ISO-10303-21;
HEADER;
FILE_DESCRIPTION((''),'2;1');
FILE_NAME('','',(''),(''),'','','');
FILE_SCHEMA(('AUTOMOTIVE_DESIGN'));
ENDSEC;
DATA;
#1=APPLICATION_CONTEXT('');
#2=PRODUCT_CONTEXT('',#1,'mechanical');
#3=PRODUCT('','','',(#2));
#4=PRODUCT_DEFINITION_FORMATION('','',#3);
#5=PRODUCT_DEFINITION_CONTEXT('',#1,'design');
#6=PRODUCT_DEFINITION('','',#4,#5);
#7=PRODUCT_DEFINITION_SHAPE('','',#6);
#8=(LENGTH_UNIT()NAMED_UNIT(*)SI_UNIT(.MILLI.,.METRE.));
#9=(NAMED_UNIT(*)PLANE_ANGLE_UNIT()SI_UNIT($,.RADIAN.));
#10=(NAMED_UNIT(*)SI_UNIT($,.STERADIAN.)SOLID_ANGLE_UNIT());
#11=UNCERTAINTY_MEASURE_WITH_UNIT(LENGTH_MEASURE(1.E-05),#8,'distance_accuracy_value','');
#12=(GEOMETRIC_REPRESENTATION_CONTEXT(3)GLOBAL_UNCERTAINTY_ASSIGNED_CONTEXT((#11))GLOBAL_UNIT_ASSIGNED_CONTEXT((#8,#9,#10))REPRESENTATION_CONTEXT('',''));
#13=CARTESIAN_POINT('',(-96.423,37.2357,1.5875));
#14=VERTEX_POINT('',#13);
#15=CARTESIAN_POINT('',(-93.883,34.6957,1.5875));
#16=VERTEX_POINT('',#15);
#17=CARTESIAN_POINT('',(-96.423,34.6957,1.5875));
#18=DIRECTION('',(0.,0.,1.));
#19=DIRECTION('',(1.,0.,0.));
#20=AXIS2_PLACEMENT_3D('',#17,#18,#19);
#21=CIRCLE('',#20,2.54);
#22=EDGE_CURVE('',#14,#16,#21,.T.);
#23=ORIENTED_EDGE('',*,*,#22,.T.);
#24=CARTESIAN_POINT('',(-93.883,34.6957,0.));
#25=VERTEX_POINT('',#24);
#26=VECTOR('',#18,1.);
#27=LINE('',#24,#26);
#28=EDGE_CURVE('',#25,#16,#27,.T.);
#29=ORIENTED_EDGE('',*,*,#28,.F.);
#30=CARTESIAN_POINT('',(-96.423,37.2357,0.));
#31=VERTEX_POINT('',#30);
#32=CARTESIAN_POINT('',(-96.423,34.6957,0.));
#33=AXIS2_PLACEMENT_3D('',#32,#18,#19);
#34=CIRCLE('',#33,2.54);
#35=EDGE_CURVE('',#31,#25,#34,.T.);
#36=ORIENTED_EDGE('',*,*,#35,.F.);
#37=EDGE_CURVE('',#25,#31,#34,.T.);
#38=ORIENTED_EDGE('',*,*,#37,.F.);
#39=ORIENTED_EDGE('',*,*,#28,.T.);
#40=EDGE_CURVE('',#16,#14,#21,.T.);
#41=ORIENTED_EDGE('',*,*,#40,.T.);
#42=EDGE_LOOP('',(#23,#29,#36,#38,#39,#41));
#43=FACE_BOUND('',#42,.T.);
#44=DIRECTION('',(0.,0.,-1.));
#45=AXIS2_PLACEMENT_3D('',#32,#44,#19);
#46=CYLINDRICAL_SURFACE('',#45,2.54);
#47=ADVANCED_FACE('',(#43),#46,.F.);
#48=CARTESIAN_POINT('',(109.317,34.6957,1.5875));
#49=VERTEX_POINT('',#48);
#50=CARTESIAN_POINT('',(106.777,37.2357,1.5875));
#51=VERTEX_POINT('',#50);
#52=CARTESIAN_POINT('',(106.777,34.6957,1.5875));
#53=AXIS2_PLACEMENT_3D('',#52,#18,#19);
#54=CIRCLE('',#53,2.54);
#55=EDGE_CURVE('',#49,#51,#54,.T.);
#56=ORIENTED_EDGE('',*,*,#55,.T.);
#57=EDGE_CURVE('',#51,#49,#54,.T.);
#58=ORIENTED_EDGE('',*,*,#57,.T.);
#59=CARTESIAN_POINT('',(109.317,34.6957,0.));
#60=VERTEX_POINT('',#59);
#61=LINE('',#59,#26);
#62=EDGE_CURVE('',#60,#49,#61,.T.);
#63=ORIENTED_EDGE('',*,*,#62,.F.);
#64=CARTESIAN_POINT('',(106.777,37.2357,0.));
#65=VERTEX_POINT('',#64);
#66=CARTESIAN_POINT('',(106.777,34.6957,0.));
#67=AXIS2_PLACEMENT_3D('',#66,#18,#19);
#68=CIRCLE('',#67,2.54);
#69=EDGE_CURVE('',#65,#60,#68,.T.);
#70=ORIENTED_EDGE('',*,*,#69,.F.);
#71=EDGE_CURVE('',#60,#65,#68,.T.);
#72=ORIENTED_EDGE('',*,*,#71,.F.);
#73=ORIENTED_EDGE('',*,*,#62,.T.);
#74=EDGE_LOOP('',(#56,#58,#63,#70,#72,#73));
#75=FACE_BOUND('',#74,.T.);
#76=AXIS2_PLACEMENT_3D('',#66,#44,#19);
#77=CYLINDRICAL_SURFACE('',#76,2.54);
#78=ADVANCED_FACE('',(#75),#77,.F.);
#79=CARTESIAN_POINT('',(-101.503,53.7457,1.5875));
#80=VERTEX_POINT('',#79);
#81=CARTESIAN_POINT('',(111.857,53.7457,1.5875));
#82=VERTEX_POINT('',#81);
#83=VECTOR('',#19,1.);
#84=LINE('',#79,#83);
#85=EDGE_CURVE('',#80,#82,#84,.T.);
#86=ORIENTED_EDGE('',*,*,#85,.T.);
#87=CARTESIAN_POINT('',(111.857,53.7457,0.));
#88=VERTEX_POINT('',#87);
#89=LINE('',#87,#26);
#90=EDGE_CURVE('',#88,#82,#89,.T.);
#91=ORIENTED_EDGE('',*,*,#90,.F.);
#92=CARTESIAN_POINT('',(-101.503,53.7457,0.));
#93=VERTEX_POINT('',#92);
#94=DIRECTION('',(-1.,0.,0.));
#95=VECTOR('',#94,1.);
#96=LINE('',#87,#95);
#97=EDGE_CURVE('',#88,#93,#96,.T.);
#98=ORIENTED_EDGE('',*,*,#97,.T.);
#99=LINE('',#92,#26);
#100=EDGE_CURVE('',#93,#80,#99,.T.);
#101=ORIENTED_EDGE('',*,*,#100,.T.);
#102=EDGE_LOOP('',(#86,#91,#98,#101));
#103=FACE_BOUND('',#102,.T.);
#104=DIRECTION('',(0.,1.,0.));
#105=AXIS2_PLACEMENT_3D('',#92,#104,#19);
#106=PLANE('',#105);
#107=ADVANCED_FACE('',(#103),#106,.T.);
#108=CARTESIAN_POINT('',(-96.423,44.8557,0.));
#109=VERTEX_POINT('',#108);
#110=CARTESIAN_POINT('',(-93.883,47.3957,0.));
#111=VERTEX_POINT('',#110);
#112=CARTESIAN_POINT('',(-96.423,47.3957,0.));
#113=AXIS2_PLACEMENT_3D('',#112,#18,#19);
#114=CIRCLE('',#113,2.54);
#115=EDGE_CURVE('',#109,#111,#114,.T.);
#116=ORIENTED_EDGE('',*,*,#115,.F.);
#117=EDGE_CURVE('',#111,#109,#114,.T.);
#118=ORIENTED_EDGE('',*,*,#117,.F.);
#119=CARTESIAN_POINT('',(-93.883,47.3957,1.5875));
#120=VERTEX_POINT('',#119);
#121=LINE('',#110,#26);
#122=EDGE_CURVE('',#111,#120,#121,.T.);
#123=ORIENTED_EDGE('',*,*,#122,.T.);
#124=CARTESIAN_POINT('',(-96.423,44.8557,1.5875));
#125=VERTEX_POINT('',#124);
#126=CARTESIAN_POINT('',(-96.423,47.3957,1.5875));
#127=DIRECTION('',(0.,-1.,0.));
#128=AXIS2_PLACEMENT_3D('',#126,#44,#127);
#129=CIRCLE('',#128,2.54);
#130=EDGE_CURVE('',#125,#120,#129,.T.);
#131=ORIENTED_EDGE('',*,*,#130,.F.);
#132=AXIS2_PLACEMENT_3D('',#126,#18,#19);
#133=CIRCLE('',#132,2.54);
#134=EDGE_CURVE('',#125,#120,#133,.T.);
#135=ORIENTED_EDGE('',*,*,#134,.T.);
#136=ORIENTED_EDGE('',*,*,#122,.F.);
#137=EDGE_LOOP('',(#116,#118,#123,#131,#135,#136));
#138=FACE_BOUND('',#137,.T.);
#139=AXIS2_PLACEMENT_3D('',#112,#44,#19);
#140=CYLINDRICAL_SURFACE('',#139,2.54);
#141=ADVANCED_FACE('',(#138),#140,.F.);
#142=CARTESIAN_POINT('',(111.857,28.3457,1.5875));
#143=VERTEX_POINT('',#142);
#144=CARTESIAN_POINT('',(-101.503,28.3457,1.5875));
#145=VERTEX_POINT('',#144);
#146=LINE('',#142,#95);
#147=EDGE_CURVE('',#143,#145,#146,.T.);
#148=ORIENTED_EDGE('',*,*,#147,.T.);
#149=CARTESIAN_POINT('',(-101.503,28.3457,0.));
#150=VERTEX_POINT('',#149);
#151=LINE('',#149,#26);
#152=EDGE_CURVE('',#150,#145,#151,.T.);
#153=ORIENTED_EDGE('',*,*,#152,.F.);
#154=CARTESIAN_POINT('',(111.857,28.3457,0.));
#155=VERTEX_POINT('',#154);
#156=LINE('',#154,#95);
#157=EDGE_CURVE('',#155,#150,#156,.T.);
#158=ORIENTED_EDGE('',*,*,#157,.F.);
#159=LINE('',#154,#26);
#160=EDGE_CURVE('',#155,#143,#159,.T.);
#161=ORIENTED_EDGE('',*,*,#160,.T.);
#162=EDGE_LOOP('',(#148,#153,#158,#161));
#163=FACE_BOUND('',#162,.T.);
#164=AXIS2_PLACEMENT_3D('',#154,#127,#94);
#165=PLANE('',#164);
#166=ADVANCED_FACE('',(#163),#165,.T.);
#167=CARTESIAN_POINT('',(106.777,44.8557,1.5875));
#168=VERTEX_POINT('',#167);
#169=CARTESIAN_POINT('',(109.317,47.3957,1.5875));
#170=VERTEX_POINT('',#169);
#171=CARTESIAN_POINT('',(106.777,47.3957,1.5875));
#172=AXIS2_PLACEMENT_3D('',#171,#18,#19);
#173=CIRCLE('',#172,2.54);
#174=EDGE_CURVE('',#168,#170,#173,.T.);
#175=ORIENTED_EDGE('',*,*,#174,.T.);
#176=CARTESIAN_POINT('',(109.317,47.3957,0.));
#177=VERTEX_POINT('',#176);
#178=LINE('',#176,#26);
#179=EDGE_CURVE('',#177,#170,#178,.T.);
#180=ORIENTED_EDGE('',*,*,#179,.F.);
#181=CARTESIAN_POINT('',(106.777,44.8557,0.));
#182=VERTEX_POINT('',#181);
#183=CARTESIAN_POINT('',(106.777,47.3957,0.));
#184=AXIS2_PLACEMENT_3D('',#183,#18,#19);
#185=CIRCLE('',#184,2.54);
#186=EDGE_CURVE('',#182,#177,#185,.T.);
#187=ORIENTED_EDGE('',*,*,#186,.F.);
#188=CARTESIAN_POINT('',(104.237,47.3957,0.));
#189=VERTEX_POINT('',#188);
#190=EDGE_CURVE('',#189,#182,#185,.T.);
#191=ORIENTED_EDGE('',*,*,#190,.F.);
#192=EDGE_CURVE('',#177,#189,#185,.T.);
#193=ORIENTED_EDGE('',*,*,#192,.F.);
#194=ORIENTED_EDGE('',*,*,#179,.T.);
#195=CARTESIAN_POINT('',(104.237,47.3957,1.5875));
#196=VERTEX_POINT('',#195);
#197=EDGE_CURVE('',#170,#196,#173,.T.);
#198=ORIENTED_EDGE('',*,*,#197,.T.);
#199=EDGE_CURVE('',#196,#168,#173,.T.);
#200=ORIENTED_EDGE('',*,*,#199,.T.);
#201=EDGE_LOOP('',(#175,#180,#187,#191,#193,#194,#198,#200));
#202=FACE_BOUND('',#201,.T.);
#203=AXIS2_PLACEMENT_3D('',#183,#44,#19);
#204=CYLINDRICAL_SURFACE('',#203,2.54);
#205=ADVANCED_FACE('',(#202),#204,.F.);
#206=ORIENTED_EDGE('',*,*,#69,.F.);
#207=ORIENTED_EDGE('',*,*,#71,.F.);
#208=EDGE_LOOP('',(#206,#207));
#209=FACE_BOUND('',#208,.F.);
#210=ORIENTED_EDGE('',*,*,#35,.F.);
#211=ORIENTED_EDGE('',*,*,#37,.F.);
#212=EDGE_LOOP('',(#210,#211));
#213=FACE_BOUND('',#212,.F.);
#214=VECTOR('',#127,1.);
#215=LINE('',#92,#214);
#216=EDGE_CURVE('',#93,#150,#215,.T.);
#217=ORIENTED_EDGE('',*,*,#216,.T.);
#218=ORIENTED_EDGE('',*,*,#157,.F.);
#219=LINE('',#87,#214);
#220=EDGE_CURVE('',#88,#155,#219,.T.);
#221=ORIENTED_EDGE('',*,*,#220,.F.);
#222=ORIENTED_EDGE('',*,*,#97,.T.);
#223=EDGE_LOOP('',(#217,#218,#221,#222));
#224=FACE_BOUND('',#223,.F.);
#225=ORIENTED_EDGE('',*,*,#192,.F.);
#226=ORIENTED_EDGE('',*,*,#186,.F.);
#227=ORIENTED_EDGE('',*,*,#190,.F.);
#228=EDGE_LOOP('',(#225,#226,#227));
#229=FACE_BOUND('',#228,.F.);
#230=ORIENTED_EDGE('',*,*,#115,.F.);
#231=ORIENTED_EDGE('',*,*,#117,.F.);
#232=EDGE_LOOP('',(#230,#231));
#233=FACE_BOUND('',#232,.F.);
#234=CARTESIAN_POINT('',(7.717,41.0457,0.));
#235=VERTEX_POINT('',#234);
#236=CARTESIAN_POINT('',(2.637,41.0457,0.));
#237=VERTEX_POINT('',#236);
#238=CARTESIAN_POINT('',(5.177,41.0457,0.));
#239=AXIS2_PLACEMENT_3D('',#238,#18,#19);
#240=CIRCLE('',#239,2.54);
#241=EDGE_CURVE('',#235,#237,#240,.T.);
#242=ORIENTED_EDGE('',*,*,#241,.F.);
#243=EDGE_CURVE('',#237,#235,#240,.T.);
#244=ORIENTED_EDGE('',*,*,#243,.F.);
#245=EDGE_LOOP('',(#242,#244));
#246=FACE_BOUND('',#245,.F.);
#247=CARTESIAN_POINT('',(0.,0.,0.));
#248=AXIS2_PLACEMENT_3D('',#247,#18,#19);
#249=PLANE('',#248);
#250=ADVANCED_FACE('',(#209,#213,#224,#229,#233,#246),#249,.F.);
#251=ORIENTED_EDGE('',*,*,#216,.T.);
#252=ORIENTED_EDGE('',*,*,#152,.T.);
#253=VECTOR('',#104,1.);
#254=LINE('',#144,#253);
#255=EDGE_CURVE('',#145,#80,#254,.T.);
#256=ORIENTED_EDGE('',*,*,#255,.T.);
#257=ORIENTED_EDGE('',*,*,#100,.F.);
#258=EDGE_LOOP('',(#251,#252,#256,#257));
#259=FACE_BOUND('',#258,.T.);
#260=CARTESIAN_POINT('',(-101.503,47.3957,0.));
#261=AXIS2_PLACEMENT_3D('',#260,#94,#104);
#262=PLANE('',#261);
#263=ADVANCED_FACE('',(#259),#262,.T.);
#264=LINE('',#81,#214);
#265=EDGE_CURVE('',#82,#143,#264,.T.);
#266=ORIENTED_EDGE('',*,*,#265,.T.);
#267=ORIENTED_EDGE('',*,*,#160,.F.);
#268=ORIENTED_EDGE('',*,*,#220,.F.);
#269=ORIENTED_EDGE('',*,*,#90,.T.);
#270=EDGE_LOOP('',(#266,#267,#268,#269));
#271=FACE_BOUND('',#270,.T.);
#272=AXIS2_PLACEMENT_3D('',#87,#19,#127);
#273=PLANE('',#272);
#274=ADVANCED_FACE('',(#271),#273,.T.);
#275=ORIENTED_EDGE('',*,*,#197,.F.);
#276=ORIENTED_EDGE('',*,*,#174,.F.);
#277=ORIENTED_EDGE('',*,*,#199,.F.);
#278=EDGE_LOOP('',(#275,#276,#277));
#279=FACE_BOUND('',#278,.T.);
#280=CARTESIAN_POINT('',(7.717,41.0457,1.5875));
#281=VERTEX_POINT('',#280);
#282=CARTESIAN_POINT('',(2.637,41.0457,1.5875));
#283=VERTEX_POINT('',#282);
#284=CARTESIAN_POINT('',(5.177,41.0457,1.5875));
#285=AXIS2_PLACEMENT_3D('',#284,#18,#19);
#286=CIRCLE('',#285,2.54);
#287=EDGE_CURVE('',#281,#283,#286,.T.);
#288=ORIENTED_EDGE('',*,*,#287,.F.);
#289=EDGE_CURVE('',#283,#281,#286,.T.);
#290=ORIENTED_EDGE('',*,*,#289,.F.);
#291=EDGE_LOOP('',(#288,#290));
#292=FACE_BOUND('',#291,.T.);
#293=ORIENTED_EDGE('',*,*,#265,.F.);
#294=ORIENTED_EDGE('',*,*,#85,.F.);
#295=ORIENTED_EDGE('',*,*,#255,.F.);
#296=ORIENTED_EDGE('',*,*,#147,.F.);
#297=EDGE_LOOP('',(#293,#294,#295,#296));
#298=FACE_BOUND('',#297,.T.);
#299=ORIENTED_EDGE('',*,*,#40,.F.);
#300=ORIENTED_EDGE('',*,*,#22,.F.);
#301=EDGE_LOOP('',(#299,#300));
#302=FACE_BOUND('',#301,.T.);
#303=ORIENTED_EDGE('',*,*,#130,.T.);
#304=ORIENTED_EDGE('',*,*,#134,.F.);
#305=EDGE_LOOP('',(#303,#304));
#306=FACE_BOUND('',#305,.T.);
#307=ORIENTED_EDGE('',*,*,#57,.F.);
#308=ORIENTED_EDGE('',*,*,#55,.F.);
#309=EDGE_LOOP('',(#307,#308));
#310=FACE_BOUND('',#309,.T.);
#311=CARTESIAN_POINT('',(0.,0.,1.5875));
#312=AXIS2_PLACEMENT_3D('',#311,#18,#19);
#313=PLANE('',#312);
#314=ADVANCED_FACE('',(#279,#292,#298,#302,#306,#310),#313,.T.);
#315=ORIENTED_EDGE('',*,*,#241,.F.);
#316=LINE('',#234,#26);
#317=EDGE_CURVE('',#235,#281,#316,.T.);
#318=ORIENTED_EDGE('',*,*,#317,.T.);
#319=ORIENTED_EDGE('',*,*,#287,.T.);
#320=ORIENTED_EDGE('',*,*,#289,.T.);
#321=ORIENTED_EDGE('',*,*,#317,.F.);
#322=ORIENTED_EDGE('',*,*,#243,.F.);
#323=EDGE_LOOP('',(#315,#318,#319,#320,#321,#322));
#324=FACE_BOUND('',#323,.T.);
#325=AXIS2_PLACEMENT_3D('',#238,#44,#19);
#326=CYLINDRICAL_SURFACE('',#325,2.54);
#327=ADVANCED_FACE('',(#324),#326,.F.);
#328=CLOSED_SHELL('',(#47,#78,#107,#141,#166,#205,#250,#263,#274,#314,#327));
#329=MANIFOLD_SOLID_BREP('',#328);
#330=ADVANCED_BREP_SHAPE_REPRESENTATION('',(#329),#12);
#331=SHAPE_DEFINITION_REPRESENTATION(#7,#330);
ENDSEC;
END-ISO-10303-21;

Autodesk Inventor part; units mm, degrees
ref_plane "YZ Plane" through (0, 0, 0) normal (1, 0, 0) x (0, 1, 0)
ref_plane "XZ Plane" through (0, 0, 0) normal (0, 1, 0) x (-1, 0, 0)
ref_plane "XY Plane" through (0, 0, 0) normal (0, 0, 1) x (1, 0, 0)
sketch "Sketch1" plane through (0, 0, 0) normal (0, 0, 1) x (1, 0, 0)
  line L0 (-101.503, 53.7457) -> (111.857, 53.7457)
  line L1 (111.857, 53.7457) -> (111.857, 28.3457)
  line L2 (111.857, 28.3457) -> (-101.503, 28.3457)
  line L3 (-101.503, 28.3457) -> (-101.503, 53.7457)
  line L4 (-101.503, 53.7457) -> (-101.503, 47.3957)
  line L5 (-101.503, 47.3957) -> (-96.423, 47.3957)
  line L6 (-96.423, 47.3957) -> (-96.423, 53.7457)
  circle A0 centre (-96.423, 47.3957) radius 2.54
  line L7 (-96.423, 47.3957) -> (-96.423, 34.6957)
  circle A1 centre (-96.423, 34.6957) radius 2.54
  line L8 (-96.423, 47.3957) -> (106.777, 47.3957)
  circle A2 centre (106.777, 47.3957) radius 2.54
  line L9 (106.777, 47.3957) -> (106.777, 34.6957)
  circle A3 centre (106.777, 34.6957) radius 2.54
  line L10 (-96.423, 41.0457) -> (5.177, 41.0457)
  circle A4 centre (5.177, 41.0457) radius 2.54
  point P0 (0, 0)
  point P1 (-98.963, 47.3957)
  point P2 (-96.423, 49.9357)
  dimension "d0" = 213.36
  dimension "d1" = 25.4
  dimension "d2" = 6.35
  dimension "d3" = 5.08
  dimension "d4" = 5.08
  dimension "d5" = 12.7
  dimension "d6" = 5.08
  dimension "d7" = 203.2
  dimension "d8" = 5.08
  dimension "d9" = 12.7
  dimension "d10" = 5.08
  dimension "d11" = 5.08
extrude "Extrusion1" add sketch "Sketch1" along normal blind 1.5875 contours L0 L6 A0 L5 L3 | L0 L1 L2 L3 L5 A0 L6
properties part number "Intake Poly (Triball Holder)"
